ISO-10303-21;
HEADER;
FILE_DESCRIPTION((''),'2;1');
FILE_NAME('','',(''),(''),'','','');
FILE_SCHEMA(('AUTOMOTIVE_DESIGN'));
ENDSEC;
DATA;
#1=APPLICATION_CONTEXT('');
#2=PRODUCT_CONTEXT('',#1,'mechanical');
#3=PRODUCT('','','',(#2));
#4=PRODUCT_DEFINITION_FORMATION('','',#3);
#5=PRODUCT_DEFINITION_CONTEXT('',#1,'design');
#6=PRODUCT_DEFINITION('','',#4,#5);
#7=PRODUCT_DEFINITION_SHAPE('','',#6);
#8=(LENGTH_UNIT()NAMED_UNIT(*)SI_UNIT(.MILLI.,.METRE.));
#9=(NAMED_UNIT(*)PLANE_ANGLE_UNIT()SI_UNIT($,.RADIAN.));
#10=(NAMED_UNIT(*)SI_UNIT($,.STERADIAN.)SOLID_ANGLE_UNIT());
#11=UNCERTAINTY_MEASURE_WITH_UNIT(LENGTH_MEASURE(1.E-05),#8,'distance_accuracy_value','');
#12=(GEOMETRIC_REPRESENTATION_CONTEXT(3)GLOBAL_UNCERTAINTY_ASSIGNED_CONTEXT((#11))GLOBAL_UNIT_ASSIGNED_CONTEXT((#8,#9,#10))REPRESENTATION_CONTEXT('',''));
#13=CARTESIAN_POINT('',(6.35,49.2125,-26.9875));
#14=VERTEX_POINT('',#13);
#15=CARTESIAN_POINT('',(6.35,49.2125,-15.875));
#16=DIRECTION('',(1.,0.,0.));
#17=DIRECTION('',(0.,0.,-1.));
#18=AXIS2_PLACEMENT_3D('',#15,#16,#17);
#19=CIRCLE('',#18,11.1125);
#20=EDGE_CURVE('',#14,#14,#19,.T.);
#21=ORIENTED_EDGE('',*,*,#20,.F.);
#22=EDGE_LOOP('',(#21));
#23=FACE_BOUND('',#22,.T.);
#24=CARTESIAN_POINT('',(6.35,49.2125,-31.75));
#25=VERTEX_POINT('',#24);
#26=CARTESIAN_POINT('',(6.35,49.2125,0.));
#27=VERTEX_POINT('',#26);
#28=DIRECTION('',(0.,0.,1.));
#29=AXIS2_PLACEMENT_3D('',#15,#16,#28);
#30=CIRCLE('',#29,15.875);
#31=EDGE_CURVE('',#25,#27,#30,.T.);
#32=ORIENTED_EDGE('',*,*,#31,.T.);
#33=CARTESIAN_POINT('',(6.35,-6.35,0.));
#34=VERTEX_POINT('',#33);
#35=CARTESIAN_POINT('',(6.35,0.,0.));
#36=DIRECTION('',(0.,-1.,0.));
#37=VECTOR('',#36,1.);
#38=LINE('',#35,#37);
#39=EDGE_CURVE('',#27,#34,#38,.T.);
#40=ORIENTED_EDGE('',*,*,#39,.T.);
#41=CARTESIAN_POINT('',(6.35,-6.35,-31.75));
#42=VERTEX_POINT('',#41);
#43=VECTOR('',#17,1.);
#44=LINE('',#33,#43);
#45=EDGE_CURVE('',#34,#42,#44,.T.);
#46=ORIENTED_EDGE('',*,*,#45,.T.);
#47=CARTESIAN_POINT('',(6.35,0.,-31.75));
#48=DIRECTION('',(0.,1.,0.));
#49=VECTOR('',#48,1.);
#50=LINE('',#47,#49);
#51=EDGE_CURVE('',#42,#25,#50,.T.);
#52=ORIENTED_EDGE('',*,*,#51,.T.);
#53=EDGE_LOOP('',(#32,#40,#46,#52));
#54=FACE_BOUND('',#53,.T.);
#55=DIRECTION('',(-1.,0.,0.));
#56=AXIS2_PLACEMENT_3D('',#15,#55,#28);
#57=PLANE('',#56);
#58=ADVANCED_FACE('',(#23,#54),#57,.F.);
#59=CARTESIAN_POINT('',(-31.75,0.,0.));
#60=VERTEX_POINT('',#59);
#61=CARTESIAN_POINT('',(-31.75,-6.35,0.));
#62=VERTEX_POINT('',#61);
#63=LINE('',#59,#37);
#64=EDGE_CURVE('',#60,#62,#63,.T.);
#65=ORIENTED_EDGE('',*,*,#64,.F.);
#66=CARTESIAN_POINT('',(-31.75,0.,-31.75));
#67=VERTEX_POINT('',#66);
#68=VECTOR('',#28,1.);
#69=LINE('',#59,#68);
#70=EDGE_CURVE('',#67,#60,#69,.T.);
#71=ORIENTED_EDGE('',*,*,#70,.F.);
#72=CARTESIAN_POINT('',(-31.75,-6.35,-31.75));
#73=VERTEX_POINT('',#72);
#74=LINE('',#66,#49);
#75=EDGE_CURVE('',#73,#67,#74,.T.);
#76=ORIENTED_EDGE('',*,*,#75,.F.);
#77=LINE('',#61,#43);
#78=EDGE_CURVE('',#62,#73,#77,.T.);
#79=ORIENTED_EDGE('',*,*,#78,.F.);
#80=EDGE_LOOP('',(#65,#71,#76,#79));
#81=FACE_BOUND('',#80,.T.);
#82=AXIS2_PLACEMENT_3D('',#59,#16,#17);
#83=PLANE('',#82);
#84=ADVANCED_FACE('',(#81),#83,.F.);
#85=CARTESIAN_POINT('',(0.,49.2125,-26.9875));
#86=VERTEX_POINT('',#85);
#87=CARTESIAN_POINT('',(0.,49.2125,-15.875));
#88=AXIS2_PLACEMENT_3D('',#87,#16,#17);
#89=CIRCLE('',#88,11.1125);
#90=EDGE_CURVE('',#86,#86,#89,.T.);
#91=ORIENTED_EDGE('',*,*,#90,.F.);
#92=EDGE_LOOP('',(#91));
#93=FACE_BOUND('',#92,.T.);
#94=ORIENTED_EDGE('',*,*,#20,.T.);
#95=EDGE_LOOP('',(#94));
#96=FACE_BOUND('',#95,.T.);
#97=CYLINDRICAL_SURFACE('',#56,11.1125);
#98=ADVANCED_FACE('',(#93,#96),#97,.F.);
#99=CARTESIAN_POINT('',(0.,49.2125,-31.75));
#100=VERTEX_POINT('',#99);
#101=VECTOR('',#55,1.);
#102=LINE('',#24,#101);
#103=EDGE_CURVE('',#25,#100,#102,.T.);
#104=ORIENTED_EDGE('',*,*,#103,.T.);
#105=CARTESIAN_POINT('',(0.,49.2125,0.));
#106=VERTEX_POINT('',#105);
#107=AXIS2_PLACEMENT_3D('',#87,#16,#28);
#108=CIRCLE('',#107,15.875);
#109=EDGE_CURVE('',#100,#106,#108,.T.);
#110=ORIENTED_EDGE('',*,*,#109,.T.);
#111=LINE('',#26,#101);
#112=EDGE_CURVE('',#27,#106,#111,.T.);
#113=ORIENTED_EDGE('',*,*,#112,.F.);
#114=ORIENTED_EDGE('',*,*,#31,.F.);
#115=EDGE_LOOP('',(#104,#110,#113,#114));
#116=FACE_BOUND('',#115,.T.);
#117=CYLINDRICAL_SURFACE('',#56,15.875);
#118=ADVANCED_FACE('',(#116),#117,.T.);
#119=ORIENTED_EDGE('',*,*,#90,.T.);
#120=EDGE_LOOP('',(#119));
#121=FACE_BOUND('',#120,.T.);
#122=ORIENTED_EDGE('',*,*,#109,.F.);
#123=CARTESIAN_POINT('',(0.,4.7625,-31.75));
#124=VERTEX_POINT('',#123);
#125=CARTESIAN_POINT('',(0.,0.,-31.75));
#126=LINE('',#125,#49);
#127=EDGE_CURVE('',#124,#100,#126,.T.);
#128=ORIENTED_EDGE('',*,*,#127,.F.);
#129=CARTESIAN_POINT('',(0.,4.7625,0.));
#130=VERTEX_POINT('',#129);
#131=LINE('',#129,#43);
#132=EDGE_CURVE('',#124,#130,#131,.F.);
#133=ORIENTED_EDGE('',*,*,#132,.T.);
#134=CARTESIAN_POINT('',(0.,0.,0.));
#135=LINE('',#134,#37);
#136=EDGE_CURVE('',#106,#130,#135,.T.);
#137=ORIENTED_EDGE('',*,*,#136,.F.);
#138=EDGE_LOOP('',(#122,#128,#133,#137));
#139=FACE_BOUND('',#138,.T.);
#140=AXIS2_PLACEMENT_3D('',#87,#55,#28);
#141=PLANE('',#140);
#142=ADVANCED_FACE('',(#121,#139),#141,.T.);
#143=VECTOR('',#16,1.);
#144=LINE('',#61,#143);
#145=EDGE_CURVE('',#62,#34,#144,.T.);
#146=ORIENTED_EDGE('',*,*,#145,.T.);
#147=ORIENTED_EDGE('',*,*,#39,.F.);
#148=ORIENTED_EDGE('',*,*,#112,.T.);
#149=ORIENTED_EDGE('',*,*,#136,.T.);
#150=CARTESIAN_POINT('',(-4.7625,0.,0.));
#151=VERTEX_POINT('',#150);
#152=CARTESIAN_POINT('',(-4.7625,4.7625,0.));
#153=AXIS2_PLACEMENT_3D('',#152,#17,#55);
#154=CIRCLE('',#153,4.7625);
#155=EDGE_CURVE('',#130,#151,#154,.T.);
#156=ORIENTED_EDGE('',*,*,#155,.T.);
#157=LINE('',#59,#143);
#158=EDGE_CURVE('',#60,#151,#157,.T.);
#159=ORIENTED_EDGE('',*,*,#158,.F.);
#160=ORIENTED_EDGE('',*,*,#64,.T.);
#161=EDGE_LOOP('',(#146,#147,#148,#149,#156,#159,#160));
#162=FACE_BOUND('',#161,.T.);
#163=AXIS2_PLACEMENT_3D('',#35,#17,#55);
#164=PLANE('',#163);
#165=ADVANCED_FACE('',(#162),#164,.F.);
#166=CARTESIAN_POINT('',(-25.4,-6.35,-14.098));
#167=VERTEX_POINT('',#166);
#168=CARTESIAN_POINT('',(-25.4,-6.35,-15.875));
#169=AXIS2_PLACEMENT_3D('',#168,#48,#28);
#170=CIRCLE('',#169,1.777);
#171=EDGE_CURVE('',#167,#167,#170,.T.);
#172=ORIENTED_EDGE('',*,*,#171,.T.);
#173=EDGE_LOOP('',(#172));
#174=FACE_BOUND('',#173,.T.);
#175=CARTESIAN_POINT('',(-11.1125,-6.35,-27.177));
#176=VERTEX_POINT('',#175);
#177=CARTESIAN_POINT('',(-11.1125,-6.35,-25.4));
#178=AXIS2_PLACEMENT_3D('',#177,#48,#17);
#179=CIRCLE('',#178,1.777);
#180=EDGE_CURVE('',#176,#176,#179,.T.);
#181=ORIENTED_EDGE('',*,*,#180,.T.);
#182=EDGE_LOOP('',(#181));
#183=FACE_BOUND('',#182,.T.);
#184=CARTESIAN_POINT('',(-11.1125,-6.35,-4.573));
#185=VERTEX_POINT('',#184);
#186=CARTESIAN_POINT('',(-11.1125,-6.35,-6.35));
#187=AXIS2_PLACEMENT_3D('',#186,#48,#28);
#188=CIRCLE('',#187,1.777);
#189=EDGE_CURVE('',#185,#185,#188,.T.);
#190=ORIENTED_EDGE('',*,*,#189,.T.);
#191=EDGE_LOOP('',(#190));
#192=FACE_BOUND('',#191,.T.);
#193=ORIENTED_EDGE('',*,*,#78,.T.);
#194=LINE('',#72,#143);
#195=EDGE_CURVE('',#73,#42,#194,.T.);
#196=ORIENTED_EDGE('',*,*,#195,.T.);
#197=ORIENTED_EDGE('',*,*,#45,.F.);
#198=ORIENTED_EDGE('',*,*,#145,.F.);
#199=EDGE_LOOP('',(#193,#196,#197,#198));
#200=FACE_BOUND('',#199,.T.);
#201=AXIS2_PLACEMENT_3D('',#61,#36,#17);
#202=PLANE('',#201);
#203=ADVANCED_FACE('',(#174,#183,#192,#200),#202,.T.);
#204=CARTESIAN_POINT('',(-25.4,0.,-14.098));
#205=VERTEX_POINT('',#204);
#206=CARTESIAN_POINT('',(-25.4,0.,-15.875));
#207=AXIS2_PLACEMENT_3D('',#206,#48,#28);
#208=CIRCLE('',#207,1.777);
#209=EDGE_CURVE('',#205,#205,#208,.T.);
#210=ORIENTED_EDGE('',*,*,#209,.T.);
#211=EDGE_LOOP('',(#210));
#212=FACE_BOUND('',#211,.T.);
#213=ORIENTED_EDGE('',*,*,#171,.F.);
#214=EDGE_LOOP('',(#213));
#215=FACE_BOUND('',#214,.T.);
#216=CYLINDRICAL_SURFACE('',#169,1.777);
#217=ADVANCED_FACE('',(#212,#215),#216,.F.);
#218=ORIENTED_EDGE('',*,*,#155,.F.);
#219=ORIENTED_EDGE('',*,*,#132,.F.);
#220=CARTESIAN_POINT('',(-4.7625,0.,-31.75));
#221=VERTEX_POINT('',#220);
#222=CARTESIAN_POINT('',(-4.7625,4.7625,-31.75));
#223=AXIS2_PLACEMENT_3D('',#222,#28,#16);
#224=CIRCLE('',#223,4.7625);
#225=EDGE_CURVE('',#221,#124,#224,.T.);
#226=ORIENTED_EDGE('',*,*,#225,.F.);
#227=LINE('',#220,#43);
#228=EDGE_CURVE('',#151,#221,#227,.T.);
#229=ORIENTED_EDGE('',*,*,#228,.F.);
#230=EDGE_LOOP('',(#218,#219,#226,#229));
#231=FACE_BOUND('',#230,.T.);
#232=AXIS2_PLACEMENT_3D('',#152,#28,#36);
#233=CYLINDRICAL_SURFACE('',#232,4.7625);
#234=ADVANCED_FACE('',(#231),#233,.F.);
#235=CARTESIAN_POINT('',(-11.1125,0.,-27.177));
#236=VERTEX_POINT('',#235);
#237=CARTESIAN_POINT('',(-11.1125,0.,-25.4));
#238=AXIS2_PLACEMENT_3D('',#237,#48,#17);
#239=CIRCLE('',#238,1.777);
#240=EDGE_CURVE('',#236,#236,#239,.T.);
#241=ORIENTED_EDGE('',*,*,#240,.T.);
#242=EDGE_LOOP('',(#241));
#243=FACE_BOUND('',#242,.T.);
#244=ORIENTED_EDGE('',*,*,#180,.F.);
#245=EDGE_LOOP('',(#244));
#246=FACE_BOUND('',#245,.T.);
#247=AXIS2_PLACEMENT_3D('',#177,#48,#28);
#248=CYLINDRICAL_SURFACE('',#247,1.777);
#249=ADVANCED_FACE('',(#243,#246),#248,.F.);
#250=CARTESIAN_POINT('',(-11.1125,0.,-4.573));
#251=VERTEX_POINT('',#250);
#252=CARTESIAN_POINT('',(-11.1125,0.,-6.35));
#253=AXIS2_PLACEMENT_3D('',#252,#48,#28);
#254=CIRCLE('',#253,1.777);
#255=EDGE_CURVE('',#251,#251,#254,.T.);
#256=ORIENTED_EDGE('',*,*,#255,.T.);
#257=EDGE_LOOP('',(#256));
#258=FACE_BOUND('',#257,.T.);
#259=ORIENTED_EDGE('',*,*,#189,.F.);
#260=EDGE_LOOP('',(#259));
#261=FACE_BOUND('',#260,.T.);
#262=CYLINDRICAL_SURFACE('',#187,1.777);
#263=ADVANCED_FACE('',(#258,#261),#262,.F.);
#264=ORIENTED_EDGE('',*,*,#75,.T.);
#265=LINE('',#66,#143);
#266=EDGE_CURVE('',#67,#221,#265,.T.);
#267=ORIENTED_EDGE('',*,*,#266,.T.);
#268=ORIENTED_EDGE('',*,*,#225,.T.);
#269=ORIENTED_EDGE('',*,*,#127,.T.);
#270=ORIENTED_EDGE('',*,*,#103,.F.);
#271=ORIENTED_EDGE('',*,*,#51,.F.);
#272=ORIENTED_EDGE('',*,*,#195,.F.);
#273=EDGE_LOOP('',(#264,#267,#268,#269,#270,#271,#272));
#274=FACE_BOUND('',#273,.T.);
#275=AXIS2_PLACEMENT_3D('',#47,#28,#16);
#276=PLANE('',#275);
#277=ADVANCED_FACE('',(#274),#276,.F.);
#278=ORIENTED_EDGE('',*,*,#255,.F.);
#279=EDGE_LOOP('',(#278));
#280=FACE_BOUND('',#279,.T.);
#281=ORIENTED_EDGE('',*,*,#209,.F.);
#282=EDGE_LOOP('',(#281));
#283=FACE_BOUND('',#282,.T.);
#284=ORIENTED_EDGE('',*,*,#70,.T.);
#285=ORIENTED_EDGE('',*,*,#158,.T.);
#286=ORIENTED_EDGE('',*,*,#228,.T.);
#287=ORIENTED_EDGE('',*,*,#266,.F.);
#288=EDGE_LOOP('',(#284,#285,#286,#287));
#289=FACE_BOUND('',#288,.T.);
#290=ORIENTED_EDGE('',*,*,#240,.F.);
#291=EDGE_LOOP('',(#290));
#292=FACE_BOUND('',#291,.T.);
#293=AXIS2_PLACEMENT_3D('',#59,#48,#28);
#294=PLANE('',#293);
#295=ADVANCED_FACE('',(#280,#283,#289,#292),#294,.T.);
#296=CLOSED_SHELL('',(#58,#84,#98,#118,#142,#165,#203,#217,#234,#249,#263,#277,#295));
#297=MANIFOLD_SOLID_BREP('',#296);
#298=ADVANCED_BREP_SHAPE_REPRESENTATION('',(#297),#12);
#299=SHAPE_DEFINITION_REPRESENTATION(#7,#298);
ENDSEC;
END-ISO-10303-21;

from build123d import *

# Parameters (mm, degrees)
SKETCH3_R           = 11.1125
BOSS_EXTRUDE1_DEPTH = 6.35
SKETCH5_W           = 31.75
SKETCH5_H           = 6.35
BOSS_EXTRUDE2_DEPTH = 38.1
FILLET1_R           = 4.7625
SKETCH6_R           = 1.777000002
CUT_EXTRUDE1_DEPTH  = 7.35


with BuildPart() as part:
    # Sketch3 → Boss-Extrude1 (new body)
    with BuildSketch(Plane(origin=(0, 0, 0), x_dir=(0, 0, -1), z_dir=(1, 0, 0))):
        with BuildLine():
            Line((0, 0), (31.75, 0))
            Line((31.75, 0), (31.75, 49.2125))
            ThreePointArc((31.75, 49.2125), (15.875, 65.0875), (0, 49.2125))
            Line((0, 49.2125), (0, 0))
        make_face()
        with Locations((15.875, 49.2125)):
            Circle(SKETCH3_R, mode=Mode.SUBTRACT)
    extrude(amount=BOSS_EXTRUDE1_DEPTH)

    # Sketch5 → Boss-Extrude2 (add)
    with BuildSketch(Plane(origin=(6.35, 0, 0), x_dir=(0, 0, -1), z_dir=(1, 0, 0))):
        with Locations((15.875, -3.175)):
            Rectangle(SKETCH5_W, SKETCH5_H)
    extrude(amount=-BOSS_EXTRUDE2_DEPTH)

    # Fillet1
    fillet1_edges = [part.edges().sort_by_distance(p)[0] for p in [
        (0, 0, -15.875),
    ]]
    fillet(fillet1_edges, radius=FILLET1_R)

    # Sketch6 → Cut-Extrude1 (cut, through all)
    with BuildSketch(Plane(origin=(0, 0, 0), x_dir=(1, 0, 0), z_dir=(0, 1, 0))):
        with Locations((-11.1125, 6.35)):
            Circle(SKETCH6_R)
        with Locations((-25.4, 15.875)):
            Circle(SKETCH6_R)
        with Locations((-11.1125, 25.4)):
            Circle(SKETCH6_R)
    extrude(amount=-CUT_EXTRUDE1_DEPTH, mode=Mode.SUBTRACT)


solid = part.part
